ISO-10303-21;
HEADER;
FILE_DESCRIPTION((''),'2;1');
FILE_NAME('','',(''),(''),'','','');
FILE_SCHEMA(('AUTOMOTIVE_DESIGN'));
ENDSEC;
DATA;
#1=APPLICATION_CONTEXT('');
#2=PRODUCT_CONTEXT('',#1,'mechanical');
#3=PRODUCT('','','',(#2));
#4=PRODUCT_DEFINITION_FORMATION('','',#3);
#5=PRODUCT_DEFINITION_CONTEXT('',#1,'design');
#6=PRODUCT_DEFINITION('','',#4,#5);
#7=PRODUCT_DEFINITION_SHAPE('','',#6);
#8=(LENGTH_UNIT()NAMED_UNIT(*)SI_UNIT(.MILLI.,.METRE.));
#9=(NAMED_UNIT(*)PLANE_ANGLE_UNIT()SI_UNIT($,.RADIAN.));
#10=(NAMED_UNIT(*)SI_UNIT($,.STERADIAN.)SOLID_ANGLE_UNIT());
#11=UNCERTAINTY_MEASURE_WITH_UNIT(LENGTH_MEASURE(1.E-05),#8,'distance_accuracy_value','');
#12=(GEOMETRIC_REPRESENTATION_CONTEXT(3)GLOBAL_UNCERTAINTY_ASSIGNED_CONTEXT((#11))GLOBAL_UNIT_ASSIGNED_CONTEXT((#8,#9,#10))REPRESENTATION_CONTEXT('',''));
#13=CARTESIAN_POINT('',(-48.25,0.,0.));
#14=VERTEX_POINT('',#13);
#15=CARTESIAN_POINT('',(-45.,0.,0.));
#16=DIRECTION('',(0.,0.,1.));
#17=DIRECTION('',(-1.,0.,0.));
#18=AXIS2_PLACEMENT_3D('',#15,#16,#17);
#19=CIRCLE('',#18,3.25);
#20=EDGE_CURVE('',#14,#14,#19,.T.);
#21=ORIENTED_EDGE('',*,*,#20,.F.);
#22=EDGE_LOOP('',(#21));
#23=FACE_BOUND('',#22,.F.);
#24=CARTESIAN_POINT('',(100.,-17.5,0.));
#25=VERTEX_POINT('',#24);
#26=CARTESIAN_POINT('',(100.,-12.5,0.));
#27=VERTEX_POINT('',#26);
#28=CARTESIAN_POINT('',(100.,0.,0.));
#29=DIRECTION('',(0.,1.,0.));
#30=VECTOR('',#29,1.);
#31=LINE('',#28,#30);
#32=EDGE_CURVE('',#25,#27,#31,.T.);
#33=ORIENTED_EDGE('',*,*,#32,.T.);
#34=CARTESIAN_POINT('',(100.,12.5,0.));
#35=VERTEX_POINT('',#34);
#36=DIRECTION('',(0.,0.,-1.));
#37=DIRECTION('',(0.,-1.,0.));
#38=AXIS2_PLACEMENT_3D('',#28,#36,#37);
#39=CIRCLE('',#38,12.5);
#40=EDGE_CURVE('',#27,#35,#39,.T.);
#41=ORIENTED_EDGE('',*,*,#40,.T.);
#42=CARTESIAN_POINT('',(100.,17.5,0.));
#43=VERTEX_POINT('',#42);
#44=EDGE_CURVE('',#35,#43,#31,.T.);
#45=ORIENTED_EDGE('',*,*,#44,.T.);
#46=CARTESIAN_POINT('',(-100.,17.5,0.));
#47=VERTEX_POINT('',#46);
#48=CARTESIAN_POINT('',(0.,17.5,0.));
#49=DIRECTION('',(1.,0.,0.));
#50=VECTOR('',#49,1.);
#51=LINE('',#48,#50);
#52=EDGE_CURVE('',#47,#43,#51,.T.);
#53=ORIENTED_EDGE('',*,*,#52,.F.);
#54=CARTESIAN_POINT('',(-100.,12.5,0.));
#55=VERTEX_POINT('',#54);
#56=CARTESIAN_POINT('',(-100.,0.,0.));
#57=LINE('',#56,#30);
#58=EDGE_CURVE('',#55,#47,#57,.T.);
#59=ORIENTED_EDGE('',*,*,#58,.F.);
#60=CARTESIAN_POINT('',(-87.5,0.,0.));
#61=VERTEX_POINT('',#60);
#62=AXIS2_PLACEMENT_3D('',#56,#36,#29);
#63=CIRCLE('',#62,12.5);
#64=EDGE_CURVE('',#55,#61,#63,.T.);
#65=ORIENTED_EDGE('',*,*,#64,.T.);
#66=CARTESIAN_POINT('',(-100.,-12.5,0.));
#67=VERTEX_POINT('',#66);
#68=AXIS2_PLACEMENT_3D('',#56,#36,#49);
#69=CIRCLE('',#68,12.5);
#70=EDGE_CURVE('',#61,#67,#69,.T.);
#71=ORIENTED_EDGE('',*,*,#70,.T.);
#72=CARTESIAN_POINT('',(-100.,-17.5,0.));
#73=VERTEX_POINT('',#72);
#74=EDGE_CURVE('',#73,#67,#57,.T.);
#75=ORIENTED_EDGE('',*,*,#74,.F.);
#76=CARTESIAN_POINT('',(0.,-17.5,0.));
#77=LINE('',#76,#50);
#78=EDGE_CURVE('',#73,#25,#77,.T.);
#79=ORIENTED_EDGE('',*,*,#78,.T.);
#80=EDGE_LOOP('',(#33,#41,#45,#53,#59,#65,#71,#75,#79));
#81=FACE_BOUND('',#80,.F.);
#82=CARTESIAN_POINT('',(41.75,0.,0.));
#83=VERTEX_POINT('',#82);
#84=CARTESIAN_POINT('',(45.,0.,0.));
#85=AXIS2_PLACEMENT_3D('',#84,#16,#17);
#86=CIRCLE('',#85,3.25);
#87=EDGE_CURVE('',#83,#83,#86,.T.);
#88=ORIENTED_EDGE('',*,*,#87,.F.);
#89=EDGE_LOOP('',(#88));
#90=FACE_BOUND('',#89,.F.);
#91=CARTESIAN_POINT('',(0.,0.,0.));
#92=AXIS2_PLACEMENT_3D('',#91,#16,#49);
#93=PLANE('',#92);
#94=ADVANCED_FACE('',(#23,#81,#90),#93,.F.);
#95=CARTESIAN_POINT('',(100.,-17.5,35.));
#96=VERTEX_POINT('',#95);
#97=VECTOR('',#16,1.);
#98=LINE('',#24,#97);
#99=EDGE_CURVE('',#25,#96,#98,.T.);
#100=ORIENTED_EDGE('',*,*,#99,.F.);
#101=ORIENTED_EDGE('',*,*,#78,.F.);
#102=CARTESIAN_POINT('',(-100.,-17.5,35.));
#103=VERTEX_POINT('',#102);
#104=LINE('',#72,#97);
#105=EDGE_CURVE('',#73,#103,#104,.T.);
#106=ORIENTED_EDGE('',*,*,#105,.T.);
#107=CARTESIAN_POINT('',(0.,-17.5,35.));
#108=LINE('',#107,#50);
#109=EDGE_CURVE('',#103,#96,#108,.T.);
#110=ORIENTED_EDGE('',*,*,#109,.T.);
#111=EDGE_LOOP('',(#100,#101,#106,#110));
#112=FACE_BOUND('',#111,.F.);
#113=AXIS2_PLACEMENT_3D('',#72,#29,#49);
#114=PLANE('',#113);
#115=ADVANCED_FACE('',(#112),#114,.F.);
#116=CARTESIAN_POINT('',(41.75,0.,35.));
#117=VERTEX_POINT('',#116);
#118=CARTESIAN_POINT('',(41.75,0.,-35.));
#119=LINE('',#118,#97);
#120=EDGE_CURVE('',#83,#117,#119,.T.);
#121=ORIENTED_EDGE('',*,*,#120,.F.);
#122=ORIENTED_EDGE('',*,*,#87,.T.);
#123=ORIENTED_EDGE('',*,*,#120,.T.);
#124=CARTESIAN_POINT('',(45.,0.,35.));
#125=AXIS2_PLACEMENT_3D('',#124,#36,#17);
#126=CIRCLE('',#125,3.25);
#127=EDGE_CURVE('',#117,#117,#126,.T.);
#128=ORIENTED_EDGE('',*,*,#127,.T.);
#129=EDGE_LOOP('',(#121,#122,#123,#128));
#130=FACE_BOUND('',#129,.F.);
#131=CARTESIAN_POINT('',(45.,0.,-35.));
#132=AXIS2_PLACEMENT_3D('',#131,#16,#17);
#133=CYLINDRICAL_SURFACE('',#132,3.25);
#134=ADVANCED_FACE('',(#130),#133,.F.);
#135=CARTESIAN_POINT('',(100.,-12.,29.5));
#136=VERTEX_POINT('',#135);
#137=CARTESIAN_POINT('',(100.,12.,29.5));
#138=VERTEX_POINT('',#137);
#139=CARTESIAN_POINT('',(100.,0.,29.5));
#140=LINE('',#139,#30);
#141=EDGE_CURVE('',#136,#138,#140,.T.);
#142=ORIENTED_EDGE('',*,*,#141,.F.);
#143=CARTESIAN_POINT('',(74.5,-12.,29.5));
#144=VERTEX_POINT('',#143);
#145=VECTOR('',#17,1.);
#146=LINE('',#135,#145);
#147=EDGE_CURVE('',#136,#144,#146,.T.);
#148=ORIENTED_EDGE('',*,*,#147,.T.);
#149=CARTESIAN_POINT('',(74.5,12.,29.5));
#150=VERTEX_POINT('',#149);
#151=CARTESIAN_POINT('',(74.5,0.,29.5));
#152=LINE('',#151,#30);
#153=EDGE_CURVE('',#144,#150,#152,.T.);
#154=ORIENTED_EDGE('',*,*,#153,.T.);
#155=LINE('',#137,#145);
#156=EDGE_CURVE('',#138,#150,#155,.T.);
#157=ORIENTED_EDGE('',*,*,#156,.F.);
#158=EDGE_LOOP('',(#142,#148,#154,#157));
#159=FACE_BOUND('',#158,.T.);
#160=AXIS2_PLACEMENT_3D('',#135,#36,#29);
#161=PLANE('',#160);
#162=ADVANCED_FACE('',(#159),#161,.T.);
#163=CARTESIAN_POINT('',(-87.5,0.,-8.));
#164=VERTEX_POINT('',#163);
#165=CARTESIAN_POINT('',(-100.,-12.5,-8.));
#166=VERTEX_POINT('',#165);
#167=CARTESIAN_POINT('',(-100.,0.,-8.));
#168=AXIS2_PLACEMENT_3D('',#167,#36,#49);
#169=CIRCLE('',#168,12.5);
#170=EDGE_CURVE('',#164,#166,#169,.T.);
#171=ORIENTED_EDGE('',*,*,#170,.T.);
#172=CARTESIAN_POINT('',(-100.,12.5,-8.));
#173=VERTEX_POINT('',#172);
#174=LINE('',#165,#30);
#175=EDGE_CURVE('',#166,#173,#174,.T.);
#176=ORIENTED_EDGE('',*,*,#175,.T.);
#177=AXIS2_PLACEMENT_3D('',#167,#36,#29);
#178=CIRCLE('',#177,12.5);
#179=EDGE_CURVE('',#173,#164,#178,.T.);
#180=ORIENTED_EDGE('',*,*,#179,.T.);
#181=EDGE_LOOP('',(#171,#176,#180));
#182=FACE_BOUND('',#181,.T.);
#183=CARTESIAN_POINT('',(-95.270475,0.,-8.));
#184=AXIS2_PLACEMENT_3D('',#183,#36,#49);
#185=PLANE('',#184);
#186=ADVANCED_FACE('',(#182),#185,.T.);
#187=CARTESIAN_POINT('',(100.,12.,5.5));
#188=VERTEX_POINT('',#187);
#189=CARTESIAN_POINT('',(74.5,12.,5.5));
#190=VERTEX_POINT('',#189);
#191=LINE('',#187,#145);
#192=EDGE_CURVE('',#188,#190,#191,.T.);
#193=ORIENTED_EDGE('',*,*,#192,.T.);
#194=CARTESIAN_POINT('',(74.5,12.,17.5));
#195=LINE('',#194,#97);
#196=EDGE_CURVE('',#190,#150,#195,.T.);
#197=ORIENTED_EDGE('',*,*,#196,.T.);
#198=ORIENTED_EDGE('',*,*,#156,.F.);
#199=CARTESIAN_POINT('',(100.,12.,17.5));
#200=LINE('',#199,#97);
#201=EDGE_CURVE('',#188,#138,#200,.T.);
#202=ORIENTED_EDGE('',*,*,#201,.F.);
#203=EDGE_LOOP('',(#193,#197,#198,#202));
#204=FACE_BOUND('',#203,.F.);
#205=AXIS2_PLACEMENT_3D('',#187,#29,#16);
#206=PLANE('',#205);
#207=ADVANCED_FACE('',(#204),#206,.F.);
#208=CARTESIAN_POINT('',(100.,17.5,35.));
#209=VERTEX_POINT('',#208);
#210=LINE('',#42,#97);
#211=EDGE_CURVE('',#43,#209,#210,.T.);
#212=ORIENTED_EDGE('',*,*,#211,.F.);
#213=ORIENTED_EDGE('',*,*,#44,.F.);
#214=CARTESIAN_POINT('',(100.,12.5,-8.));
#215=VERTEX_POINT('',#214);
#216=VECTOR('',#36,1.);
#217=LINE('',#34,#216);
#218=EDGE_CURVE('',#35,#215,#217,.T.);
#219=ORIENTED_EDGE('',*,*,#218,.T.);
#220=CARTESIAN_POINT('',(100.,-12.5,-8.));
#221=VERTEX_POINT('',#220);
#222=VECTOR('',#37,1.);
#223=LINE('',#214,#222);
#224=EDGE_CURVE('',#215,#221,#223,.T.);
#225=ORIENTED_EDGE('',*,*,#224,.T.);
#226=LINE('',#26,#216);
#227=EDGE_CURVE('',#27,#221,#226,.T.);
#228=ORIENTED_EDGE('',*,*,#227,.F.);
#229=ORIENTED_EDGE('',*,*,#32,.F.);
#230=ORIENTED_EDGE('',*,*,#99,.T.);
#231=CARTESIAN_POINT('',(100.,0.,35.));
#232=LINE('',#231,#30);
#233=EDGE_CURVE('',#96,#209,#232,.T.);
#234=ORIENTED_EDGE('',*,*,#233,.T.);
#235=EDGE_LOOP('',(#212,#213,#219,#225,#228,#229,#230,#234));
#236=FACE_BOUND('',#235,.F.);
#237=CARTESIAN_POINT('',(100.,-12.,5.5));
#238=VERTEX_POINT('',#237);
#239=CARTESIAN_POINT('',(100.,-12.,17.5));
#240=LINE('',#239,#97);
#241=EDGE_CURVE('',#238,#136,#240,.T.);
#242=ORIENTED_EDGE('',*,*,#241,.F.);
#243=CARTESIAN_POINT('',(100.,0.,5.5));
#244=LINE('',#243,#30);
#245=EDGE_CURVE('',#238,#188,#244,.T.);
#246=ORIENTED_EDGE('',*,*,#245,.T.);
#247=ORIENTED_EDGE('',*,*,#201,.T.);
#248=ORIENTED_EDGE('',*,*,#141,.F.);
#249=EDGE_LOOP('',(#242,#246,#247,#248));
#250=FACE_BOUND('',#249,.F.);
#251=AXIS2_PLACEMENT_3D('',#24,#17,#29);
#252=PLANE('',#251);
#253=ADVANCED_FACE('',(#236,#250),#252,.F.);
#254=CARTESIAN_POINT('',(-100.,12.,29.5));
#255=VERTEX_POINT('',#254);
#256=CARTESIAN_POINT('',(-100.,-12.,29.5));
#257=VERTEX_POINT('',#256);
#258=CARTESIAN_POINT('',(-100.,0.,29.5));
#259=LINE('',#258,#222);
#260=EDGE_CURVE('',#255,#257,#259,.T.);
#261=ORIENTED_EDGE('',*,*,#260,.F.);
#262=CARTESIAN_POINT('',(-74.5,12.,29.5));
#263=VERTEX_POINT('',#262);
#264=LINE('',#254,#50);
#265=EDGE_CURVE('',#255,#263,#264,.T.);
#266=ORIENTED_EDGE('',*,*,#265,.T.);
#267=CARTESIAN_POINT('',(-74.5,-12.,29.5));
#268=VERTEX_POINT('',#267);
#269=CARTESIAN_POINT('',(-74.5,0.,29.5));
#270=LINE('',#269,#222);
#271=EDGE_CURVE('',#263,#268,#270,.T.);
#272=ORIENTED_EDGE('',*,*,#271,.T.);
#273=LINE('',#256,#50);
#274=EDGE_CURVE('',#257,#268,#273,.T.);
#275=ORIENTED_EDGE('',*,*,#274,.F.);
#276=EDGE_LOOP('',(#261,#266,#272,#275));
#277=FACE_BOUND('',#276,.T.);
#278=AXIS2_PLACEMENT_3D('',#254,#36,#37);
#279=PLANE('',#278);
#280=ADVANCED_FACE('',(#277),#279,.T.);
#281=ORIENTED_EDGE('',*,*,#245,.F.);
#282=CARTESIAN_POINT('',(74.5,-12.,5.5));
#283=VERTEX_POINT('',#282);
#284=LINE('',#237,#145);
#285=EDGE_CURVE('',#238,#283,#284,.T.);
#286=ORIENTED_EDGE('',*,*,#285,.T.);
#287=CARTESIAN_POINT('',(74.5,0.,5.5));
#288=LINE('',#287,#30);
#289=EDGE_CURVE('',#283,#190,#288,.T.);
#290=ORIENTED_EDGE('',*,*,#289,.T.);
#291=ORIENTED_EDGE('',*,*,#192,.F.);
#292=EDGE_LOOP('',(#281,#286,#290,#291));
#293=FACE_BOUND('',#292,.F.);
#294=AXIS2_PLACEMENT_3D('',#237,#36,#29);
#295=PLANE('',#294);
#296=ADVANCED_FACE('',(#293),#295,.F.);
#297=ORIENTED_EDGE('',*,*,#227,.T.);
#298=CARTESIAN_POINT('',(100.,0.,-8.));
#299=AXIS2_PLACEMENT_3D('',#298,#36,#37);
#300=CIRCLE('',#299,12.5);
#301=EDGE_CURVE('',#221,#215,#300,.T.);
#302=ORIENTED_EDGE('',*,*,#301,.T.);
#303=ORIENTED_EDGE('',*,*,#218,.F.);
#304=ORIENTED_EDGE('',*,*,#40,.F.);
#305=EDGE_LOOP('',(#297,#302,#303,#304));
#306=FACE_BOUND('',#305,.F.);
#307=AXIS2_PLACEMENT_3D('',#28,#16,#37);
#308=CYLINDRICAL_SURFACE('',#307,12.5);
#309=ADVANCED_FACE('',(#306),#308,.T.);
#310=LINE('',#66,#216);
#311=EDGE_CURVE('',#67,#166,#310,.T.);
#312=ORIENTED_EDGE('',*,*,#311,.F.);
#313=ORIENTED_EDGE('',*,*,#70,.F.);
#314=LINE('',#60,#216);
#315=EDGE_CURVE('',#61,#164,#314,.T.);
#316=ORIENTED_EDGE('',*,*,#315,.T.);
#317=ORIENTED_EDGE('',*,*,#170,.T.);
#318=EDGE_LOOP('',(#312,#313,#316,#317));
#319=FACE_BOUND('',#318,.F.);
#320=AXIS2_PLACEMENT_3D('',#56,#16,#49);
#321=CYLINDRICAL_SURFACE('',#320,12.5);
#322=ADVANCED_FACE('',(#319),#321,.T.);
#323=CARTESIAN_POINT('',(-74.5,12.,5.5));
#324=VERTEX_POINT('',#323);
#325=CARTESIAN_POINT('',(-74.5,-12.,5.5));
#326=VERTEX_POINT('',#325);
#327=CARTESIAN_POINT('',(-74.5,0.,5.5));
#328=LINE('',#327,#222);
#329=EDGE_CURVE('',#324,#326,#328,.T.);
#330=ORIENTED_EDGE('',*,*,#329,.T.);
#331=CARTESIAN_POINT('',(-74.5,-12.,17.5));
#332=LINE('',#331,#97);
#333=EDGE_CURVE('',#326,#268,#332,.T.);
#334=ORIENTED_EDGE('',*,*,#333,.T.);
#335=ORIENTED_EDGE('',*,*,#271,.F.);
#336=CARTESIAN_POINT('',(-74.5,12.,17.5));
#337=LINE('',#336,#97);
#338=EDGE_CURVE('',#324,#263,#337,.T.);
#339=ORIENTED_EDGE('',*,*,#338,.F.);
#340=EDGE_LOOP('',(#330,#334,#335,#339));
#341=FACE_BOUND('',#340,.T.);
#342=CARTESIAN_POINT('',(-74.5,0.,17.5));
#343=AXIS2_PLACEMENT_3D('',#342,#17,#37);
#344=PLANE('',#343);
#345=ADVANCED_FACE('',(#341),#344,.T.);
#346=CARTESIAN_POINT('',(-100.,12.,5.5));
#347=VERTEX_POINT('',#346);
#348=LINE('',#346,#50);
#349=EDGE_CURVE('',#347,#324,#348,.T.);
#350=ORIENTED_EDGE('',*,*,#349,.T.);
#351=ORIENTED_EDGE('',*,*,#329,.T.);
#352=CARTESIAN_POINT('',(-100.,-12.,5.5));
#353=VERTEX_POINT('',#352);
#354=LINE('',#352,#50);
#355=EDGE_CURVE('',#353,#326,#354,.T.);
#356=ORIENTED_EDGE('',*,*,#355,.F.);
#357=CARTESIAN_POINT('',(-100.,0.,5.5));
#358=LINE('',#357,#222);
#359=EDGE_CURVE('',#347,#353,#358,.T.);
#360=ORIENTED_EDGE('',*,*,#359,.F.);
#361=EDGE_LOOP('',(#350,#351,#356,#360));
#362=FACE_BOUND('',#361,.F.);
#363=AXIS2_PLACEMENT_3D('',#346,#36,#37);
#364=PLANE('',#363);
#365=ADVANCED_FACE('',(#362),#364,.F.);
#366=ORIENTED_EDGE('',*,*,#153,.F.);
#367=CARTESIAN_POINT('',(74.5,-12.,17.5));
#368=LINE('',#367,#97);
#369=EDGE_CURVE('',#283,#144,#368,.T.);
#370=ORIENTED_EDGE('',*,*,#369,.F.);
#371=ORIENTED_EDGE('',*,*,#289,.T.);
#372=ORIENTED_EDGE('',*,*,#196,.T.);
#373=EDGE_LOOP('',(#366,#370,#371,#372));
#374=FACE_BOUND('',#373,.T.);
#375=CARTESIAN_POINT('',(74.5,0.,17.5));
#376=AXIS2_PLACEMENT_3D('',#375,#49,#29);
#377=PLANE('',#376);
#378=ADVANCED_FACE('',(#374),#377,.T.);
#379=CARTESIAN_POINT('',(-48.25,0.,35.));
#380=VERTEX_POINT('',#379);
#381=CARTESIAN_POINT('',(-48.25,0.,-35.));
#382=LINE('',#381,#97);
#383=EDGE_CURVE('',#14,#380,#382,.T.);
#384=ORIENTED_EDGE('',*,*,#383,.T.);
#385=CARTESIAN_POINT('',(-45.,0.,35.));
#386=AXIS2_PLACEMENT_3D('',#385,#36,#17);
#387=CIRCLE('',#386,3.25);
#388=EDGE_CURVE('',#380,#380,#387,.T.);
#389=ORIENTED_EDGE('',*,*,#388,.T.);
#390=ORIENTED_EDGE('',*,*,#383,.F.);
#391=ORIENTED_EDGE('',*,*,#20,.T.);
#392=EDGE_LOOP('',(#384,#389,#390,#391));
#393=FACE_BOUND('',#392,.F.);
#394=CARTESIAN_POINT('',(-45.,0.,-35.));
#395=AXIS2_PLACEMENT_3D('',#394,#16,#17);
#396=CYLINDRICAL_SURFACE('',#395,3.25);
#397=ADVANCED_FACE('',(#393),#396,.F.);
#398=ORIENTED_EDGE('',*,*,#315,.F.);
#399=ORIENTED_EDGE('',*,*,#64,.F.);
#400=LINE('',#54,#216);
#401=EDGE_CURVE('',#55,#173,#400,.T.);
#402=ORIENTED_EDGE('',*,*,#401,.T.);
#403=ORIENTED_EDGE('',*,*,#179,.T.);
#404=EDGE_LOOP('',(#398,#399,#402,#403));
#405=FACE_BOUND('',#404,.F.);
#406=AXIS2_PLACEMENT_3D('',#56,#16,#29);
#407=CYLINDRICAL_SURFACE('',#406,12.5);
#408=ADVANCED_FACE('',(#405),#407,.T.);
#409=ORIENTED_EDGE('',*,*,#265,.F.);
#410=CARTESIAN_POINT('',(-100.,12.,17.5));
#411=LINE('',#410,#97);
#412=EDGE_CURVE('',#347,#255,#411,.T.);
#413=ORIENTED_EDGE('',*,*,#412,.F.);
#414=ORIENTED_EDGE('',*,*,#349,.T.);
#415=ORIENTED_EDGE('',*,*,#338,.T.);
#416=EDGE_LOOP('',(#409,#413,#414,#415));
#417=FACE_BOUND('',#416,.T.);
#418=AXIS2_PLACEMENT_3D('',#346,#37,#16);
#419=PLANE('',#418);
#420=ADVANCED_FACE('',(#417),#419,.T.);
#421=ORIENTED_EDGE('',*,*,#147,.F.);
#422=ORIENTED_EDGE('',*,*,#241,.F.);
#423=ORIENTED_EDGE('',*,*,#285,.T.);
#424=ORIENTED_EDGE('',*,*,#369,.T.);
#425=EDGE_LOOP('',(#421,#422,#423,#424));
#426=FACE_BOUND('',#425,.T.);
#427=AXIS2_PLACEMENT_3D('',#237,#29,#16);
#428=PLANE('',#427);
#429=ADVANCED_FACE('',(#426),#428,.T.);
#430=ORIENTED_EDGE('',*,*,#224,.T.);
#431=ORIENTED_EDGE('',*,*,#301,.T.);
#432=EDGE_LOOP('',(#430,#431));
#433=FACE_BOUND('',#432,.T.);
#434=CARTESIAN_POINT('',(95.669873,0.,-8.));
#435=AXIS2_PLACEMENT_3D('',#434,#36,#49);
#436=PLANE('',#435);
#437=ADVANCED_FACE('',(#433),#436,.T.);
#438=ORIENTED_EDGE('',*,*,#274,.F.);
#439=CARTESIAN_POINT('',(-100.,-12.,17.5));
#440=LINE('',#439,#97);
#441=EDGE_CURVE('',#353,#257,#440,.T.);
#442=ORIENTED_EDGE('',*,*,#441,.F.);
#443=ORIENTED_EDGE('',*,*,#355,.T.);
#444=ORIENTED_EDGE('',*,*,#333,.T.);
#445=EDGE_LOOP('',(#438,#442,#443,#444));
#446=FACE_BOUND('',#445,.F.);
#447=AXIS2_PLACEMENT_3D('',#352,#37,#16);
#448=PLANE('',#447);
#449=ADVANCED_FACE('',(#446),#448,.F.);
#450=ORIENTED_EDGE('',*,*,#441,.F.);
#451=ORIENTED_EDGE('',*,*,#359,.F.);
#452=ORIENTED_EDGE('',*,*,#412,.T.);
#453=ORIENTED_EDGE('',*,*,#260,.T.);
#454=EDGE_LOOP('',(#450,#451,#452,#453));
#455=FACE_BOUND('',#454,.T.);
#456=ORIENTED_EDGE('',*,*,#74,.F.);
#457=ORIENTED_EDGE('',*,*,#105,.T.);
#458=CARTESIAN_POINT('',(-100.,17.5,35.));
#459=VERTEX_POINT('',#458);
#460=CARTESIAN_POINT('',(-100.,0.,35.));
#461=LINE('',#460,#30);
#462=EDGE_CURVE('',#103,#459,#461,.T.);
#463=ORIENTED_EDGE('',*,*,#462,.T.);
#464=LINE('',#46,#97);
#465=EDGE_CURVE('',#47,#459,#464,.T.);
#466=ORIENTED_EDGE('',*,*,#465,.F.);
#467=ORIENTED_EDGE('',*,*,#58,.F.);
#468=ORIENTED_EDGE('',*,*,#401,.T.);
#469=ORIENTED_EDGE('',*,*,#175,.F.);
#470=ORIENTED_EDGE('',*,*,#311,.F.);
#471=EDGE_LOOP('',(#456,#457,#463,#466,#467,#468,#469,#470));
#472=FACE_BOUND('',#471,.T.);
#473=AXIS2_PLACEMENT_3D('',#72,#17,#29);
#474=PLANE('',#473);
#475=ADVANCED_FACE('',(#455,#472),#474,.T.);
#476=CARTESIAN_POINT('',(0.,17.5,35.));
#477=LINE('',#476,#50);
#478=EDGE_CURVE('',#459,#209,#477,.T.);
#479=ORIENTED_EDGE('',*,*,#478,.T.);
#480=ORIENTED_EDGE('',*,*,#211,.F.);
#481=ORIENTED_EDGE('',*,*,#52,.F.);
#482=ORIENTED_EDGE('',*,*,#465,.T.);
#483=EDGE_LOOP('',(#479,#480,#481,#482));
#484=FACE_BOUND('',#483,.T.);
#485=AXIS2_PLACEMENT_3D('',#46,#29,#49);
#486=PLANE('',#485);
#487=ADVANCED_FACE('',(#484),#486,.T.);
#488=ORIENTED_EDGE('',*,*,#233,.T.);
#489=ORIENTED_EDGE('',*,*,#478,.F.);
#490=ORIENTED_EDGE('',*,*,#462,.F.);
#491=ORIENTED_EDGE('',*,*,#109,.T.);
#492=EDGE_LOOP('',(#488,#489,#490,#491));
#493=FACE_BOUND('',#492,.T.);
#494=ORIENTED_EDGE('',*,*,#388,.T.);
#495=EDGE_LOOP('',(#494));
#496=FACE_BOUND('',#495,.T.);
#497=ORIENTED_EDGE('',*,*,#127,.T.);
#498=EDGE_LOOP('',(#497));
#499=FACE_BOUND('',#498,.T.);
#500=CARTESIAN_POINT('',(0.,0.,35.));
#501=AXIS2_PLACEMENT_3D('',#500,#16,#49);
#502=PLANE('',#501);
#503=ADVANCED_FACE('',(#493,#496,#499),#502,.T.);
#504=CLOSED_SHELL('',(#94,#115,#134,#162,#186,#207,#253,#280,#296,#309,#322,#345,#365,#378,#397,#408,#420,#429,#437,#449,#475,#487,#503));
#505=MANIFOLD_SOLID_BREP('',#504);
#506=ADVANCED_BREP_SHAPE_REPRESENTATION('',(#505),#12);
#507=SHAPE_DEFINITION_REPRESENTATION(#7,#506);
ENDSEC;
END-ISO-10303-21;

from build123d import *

# Parameters (mm, degrees)
F0_W     = 200
F0_H     = 35
F1_DEPTH = 35
F2_W     = 24
F2_H     = 24
F3_DEPTH = 25.5
F4_W     = 24
F4_H     = 24
F5_DEPTH = 25.5
F7_D     = 6.5
F7_DEPTH = 35
F7_TIP   = 1.9527970118
F9_DEPTH = 8


with BuildPart() as f1:
    # F0 (on Top) → F1 (new body)
    with BuildSketch(Plane.XY):
        Rectangle(F0_W, F0_H)
    extrude(amount=F1_DEPTH)

    # F2 (on face) → F3 (cut)
    with BuildSketch(Plane.YZ.offset(100)):
        with Locations((0, 17.5)):
            Rectangle(F2_W, F2_H)
    extrude(amount=-F3_DEPTH, mode=Mode.SUBTRACT)

    # F4 (on face) → F5 (cut)
    with BuildSketch(Plane(origin=(-100, 0, 0), x_dir=(0, -1, 0), z_dir=(-1, 0, 0))):
        with Locations((0, 17.5)):
            Rectangle(F4_W, F4_H)
    extrude(amount=-F5_DEPTH, mode=Mode.SUBTRACT)

    # F7
    with Locations(Plane(origin=(0, 0, 0), x_dir=(1, 0, 0), z_dir=(0, 0, -1))):
        with Locations((-45, 0), (45, 0)):
            Hole(F7_D / 2, depth=F7_DEPTH)
            with Locations((0, 0, -(F7_DEPTH + F7_TIP / 2))):  # 118° drill point
                Cone(0, F7_D / 2, F7_TIP, mode=Mode.SUBTRACT)

    # F8 (on face) → F9 (join)
    with BuildSketch(Plane(origin=(0, 0, 0), x_dir=(1, 0, 0), z_dir=(0, 0, -1))):
        with BuildLine():
            Line((100, -12.5), (100, 12.5))
            ThreePointArc((100, 12.5), (87.5, 0), (100, -12.5))
        make_face()
        with BuildLine():
            ThreePointArc((-87.5, 0), (-91.1611652352, 8.8388347648), (-100, 12.5))
            Line((-100, 12.5), (-100, -12.5))
            ThreePointArc((-100, -12.5), (-91.1611652352, -8.8388347648), (-87.5, 0))
        make_face()
    extrude(amount=F9_DEPTH)


solid = f1.part
